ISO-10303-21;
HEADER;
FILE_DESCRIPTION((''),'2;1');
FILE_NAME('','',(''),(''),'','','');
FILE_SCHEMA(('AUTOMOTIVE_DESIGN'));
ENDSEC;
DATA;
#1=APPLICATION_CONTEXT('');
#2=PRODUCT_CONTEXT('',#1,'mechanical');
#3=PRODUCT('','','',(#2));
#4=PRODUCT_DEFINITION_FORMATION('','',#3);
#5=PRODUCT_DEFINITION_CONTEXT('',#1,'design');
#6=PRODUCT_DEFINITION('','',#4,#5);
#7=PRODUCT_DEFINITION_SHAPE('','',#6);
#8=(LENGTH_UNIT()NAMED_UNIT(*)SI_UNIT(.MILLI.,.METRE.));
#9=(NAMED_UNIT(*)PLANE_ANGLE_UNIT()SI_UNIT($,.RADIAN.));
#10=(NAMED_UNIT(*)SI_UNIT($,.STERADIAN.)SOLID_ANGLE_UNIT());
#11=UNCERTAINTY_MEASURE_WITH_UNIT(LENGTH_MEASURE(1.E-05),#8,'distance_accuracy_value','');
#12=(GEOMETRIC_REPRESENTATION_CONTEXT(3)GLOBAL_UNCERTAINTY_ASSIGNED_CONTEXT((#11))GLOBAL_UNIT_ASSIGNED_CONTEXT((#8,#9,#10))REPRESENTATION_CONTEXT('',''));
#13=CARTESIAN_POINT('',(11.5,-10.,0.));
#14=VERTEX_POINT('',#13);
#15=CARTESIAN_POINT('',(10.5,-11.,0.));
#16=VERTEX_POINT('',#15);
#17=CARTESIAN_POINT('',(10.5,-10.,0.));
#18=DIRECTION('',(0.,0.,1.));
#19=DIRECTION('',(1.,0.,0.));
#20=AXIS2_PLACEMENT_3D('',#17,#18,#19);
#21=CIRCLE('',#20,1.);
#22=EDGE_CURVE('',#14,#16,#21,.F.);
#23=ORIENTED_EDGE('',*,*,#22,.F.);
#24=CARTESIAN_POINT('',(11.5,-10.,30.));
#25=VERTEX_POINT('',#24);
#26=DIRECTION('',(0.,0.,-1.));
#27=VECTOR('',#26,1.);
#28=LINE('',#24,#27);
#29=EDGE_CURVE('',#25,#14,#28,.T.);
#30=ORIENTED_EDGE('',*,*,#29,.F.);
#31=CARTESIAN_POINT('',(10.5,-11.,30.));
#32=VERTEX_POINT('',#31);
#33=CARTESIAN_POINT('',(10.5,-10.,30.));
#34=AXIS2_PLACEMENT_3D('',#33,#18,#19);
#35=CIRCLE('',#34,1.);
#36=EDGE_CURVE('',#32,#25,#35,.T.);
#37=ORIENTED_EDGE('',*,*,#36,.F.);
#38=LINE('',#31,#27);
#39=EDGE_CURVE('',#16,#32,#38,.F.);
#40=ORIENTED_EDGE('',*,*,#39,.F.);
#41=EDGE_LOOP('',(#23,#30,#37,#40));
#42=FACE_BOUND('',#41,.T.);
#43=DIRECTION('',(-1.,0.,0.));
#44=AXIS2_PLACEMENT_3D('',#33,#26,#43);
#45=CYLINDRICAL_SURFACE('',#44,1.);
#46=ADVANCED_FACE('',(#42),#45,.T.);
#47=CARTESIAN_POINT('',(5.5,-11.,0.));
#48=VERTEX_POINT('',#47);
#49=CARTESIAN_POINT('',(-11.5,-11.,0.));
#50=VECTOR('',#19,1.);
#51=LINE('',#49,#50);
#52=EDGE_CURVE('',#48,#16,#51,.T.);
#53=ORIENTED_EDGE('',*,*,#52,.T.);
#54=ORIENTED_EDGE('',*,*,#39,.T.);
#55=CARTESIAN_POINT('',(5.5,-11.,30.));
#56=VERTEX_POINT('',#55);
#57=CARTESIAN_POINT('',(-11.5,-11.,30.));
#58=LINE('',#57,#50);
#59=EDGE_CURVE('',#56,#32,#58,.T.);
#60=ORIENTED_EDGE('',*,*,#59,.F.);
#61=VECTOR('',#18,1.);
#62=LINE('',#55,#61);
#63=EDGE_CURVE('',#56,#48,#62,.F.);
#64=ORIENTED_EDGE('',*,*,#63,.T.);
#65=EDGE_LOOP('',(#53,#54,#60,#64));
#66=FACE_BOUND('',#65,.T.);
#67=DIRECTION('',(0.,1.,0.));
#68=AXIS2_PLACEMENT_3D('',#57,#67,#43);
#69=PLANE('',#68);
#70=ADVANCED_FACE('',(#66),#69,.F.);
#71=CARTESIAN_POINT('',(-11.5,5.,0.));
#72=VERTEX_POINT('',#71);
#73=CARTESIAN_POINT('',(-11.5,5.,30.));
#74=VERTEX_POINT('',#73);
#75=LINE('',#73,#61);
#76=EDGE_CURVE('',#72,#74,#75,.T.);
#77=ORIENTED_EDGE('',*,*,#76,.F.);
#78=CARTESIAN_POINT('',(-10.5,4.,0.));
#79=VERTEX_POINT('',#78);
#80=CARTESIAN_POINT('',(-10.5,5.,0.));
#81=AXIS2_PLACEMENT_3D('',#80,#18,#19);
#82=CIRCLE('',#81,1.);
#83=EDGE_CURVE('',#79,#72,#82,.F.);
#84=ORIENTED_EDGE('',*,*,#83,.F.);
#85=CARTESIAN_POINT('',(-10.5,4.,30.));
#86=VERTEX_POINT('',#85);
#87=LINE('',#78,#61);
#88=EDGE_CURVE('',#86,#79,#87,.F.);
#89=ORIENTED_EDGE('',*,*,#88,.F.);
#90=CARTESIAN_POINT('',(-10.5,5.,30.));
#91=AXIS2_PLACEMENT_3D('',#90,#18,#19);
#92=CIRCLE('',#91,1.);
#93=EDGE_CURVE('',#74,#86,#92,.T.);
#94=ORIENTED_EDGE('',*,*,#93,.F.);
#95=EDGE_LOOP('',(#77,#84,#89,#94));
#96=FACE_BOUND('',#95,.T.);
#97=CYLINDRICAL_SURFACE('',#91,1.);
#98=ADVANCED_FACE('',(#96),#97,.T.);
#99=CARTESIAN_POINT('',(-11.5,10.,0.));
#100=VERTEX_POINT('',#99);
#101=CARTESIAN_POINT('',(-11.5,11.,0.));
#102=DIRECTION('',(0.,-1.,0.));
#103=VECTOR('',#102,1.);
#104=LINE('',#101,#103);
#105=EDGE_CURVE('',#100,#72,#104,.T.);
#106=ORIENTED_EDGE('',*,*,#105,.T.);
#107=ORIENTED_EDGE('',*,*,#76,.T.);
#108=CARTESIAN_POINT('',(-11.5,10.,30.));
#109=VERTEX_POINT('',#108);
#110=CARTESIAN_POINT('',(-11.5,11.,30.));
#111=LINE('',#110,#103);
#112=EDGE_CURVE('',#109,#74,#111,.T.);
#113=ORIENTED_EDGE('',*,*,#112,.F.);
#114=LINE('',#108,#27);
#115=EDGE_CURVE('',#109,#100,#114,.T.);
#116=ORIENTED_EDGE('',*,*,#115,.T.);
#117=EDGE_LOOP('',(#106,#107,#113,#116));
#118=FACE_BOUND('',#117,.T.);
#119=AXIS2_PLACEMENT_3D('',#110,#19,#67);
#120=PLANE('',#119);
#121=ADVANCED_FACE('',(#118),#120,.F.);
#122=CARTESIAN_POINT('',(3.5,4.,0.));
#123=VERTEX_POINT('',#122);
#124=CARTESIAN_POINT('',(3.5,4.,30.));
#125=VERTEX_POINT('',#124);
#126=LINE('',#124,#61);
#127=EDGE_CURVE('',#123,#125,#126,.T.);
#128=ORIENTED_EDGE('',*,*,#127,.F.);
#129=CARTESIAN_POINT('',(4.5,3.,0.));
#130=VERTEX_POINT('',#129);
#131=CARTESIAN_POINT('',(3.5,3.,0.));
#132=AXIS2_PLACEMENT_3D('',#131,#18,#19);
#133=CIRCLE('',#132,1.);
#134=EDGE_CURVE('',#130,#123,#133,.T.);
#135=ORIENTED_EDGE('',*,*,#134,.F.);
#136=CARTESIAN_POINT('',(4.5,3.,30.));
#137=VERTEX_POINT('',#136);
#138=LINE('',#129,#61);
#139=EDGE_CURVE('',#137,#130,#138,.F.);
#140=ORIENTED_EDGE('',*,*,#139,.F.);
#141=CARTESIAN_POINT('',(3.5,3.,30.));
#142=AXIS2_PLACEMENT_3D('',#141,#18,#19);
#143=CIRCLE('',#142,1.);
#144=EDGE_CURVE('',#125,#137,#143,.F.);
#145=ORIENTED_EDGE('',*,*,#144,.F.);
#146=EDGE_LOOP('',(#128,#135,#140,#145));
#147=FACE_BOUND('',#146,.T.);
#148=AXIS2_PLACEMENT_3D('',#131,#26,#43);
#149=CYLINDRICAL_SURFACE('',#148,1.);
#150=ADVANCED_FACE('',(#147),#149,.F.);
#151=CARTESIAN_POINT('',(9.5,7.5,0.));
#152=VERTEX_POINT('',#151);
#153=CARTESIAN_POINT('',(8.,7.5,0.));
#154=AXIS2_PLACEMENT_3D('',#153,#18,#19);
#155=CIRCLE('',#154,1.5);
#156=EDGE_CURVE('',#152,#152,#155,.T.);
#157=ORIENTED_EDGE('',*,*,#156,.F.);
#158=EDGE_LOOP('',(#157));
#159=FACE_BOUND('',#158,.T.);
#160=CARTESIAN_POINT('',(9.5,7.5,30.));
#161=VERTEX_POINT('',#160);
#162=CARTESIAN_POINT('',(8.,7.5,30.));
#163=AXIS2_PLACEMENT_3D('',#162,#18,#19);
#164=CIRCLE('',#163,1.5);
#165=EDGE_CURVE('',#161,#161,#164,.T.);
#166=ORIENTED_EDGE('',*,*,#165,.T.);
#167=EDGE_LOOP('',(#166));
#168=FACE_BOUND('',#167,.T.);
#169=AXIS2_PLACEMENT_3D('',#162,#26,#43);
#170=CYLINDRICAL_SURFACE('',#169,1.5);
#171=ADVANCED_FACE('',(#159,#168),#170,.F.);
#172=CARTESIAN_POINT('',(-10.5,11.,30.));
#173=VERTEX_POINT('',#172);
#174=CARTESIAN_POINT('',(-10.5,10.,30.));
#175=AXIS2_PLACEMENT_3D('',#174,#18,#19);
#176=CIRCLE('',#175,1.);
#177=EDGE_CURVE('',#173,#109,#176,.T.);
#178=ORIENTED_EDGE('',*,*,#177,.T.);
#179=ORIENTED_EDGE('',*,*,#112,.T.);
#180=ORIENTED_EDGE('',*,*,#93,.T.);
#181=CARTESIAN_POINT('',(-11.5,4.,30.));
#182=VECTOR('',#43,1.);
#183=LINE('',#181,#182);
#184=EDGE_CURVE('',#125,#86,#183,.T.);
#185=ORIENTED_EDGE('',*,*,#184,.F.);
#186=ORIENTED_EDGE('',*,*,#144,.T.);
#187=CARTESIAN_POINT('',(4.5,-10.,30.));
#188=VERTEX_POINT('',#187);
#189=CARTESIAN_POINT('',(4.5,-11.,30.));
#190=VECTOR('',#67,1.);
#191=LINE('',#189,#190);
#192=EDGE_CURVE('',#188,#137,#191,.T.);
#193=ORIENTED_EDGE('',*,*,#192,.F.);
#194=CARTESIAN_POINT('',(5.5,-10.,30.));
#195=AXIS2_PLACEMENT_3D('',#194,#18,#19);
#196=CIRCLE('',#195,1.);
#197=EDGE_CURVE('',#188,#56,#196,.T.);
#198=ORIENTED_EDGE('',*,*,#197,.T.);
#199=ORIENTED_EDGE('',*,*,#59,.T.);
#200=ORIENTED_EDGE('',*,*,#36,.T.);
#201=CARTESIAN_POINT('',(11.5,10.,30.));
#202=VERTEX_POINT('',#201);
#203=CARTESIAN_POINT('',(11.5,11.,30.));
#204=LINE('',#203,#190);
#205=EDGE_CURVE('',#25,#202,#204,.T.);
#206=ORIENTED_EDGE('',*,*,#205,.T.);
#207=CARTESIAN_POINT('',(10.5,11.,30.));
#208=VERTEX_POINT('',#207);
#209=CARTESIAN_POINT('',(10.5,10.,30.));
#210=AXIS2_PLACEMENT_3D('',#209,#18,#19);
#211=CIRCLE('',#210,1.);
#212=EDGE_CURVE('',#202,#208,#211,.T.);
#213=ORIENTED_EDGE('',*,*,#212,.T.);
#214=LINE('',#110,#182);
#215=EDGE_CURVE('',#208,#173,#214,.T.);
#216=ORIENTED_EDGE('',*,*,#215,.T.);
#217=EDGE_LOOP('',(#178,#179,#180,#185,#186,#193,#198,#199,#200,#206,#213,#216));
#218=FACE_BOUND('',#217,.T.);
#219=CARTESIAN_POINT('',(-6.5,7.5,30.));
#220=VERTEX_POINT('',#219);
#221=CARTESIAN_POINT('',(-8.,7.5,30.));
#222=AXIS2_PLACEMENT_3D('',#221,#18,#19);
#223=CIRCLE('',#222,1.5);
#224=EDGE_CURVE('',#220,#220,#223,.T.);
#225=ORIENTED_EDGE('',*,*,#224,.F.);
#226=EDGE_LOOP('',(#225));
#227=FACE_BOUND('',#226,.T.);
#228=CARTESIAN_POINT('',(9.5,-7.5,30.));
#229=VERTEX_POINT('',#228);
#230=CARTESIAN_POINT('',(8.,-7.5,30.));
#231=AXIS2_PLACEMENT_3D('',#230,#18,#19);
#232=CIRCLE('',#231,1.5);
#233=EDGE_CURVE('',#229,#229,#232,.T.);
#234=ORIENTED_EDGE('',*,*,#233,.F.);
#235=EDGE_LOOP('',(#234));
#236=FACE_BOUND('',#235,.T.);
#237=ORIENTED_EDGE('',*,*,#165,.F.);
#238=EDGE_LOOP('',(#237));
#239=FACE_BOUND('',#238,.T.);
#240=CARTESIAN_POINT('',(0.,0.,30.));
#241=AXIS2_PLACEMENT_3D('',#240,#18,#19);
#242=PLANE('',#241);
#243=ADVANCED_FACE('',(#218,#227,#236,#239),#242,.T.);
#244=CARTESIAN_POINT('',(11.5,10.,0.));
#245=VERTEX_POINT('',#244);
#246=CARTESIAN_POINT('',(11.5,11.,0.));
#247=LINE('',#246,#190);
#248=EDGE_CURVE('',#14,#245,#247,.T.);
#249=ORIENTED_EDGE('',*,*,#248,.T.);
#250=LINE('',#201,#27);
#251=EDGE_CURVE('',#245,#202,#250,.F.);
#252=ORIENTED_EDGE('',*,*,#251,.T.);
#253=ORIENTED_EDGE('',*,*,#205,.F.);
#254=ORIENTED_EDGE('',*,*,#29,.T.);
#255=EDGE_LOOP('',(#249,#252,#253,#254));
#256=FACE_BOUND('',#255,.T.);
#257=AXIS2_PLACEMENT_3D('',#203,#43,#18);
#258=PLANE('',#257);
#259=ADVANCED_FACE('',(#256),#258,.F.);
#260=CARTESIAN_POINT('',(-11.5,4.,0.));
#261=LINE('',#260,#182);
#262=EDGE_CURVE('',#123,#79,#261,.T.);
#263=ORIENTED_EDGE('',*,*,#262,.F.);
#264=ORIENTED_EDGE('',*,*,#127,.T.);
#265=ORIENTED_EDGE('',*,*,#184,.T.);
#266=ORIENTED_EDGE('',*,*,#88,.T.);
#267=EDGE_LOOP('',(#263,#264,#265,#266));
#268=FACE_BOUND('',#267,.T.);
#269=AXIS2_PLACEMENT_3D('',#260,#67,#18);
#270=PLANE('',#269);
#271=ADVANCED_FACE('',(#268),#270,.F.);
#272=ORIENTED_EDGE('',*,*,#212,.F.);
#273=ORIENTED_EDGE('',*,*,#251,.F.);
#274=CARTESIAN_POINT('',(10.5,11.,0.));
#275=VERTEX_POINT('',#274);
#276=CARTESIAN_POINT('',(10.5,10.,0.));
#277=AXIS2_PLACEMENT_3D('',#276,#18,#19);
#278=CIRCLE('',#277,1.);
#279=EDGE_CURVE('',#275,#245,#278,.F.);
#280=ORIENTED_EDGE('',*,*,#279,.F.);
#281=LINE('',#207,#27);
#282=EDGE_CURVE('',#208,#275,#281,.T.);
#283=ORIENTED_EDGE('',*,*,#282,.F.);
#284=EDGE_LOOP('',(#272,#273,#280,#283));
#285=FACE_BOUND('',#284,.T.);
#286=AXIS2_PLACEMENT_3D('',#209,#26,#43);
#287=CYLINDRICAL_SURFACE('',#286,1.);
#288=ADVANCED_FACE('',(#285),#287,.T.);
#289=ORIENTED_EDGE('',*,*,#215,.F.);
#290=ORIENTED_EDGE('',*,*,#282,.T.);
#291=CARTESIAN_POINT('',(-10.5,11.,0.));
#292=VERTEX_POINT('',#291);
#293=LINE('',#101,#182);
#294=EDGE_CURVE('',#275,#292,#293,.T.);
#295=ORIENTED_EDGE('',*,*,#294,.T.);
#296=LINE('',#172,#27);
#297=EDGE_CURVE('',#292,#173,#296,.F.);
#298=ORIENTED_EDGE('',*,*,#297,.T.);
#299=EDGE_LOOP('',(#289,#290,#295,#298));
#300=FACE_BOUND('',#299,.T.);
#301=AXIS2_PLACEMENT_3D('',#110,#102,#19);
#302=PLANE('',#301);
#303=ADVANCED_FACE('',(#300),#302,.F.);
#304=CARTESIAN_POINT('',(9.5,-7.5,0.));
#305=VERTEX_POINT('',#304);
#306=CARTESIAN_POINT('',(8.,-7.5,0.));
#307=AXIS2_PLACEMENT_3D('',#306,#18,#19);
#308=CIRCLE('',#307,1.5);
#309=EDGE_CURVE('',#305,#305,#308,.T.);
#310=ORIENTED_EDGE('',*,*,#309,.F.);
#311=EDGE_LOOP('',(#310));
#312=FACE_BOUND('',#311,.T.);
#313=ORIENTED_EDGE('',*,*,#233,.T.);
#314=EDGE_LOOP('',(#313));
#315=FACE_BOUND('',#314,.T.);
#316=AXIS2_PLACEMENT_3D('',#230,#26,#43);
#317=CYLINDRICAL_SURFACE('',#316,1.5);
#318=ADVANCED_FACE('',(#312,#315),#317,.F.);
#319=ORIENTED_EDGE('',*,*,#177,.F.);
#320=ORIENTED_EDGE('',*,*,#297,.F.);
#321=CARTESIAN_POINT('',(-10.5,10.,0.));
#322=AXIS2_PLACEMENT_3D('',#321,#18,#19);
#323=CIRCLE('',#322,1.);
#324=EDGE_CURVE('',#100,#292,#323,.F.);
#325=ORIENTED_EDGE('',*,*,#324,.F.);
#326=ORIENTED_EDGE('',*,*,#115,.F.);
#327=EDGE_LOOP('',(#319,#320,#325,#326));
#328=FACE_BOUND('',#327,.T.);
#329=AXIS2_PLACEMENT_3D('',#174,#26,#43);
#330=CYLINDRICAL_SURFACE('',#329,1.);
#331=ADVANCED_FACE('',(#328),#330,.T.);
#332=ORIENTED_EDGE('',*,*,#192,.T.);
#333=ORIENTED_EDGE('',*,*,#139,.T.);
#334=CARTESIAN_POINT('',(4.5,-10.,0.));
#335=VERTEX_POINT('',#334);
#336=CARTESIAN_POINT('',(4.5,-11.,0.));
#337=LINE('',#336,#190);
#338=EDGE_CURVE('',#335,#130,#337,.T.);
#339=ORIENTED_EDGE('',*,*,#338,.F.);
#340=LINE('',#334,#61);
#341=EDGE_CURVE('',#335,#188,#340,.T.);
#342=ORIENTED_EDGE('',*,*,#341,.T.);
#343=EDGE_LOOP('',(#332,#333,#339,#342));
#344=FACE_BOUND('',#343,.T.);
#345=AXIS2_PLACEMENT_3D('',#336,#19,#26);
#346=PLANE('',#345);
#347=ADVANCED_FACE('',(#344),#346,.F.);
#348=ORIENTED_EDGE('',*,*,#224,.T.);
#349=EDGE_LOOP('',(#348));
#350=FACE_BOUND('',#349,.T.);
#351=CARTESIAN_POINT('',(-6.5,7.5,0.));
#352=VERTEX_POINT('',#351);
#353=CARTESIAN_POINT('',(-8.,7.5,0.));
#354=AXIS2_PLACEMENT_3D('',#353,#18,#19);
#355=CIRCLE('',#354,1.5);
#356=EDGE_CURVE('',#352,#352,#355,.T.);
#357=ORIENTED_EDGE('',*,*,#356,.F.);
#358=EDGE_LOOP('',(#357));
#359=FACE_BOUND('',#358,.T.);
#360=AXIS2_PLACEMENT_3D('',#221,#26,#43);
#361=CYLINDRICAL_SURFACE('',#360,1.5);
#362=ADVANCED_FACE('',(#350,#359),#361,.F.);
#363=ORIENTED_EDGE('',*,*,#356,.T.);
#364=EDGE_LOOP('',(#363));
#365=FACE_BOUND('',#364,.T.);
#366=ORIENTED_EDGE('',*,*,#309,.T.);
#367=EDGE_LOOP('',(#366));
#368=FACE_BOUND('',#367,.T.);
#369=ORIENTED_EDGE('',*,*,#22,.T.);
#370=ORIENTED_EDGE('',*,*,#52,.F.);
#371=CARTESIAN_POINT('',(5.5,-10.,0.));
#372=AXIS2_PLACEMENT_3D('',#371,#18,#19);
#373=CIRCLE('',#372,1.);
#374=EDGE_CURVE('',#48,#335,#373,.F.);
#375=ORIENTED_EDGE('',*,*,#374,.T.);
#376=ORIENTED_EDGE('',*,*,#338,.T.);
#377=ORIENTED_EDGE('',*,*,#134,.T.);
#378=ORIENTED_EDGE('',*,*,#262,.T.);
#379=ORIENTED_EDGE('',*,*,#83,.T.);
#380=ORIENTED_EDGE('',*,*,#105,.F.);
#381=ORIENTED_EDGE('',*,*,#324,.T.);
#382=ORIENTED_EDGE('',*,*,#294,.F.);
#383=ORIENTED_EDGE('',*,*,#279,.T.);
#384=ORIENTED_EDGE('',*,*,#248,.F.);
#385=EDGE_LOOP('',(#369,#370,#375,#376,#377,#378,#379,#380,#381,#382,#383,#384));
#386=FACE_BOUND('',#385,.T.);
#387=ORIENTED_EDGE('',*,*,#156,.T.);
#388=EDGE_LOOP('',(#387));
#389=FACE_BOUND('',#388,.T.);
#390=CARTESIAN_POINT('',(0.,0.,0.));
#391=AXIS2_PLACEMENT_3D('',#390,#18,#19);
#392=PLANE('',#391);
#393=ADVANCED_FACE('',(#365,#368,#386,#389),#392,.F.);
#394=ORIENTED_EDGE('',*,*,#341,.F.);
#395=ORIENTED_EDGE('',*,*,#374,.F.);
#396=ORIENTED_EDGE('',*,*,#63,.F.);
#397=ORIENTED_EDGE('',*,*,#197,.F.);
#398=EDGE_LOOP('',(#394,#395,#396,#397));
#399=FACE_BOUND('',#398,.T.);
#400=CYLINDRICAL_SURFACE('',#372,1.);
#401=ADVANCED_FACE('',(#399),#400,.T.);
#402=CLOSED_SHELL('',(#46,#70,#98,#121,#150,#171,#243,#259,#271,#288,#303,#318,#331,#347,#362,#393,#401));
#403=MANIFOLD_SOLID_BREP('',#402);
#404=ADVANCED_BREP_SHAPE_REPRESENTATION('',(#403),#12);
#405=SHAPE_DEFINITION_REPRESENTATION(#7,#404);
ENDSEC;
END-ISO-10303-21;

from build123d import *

# Parameters (mm, degrees)
SKETCH_1_W          = 23
SKETCH_1_H          = 22
SKETCH_1_R          = 1.5
EXTRUDE_1_DEPTH     = 30
SKETCH_2_W          = 16
SKETCH_2_H          = 15
CUT_EXTRUDE_1_DEPTH = 34.959534744
FILLET_1_R          = 1


with BuildPart() as part:
    # 草图1 → 凸台-拉伸1 (new body)
    with BuildSketch(Plane.XY):
        Rectangle(SKETCH_1_W, SKETCH_1_H)
        with Locations((-8, 7.5)):
            Circle(SKETCH_1_R, mode=Mode.SUBTRACT)
        with Locations((8, 7.5)):
            Circle(SKETCH_1_R, mode=Mode.SUBTRACT)
        with Locations((-8, -7.5)):
            Circle(SKETCH_1_R, mode=Mode.SUBTRACT)
        with Locations((8, -7.5)):
            Circle(SKETCH_1_R, mode=Mode.SUBTRACT)
    extrude(amount=EXTRUDE_1_DEPTH)

    # 草图2 → 切除-拉伸1 (cut, through all)
    with BuildSketch(Plane.XY.offset(30)):
        with Locations((-3.5, -3.5)):
            Rectangle(SKETCH_2_W, SKETCH_2_H)
    extrude(amount=-CUT_EXTRUDE_1_DEPTH, mode=Mode.SUBTRACT)

    # 圆角1
    fillet_1_edges = [part.edges().sort_by_distance(p)[0] for p in [
        (-11.5, 4, 15),
        (4.5, 4, 15),
        (4.5, -11, 15),
        (11.5, -11, 15),
        (-11.5, 11, 15),
        (11.5, 11, 15),
    ]]
    fillet(fillet_1_edges, radius=FILLET_1_R)


solid = part.part
